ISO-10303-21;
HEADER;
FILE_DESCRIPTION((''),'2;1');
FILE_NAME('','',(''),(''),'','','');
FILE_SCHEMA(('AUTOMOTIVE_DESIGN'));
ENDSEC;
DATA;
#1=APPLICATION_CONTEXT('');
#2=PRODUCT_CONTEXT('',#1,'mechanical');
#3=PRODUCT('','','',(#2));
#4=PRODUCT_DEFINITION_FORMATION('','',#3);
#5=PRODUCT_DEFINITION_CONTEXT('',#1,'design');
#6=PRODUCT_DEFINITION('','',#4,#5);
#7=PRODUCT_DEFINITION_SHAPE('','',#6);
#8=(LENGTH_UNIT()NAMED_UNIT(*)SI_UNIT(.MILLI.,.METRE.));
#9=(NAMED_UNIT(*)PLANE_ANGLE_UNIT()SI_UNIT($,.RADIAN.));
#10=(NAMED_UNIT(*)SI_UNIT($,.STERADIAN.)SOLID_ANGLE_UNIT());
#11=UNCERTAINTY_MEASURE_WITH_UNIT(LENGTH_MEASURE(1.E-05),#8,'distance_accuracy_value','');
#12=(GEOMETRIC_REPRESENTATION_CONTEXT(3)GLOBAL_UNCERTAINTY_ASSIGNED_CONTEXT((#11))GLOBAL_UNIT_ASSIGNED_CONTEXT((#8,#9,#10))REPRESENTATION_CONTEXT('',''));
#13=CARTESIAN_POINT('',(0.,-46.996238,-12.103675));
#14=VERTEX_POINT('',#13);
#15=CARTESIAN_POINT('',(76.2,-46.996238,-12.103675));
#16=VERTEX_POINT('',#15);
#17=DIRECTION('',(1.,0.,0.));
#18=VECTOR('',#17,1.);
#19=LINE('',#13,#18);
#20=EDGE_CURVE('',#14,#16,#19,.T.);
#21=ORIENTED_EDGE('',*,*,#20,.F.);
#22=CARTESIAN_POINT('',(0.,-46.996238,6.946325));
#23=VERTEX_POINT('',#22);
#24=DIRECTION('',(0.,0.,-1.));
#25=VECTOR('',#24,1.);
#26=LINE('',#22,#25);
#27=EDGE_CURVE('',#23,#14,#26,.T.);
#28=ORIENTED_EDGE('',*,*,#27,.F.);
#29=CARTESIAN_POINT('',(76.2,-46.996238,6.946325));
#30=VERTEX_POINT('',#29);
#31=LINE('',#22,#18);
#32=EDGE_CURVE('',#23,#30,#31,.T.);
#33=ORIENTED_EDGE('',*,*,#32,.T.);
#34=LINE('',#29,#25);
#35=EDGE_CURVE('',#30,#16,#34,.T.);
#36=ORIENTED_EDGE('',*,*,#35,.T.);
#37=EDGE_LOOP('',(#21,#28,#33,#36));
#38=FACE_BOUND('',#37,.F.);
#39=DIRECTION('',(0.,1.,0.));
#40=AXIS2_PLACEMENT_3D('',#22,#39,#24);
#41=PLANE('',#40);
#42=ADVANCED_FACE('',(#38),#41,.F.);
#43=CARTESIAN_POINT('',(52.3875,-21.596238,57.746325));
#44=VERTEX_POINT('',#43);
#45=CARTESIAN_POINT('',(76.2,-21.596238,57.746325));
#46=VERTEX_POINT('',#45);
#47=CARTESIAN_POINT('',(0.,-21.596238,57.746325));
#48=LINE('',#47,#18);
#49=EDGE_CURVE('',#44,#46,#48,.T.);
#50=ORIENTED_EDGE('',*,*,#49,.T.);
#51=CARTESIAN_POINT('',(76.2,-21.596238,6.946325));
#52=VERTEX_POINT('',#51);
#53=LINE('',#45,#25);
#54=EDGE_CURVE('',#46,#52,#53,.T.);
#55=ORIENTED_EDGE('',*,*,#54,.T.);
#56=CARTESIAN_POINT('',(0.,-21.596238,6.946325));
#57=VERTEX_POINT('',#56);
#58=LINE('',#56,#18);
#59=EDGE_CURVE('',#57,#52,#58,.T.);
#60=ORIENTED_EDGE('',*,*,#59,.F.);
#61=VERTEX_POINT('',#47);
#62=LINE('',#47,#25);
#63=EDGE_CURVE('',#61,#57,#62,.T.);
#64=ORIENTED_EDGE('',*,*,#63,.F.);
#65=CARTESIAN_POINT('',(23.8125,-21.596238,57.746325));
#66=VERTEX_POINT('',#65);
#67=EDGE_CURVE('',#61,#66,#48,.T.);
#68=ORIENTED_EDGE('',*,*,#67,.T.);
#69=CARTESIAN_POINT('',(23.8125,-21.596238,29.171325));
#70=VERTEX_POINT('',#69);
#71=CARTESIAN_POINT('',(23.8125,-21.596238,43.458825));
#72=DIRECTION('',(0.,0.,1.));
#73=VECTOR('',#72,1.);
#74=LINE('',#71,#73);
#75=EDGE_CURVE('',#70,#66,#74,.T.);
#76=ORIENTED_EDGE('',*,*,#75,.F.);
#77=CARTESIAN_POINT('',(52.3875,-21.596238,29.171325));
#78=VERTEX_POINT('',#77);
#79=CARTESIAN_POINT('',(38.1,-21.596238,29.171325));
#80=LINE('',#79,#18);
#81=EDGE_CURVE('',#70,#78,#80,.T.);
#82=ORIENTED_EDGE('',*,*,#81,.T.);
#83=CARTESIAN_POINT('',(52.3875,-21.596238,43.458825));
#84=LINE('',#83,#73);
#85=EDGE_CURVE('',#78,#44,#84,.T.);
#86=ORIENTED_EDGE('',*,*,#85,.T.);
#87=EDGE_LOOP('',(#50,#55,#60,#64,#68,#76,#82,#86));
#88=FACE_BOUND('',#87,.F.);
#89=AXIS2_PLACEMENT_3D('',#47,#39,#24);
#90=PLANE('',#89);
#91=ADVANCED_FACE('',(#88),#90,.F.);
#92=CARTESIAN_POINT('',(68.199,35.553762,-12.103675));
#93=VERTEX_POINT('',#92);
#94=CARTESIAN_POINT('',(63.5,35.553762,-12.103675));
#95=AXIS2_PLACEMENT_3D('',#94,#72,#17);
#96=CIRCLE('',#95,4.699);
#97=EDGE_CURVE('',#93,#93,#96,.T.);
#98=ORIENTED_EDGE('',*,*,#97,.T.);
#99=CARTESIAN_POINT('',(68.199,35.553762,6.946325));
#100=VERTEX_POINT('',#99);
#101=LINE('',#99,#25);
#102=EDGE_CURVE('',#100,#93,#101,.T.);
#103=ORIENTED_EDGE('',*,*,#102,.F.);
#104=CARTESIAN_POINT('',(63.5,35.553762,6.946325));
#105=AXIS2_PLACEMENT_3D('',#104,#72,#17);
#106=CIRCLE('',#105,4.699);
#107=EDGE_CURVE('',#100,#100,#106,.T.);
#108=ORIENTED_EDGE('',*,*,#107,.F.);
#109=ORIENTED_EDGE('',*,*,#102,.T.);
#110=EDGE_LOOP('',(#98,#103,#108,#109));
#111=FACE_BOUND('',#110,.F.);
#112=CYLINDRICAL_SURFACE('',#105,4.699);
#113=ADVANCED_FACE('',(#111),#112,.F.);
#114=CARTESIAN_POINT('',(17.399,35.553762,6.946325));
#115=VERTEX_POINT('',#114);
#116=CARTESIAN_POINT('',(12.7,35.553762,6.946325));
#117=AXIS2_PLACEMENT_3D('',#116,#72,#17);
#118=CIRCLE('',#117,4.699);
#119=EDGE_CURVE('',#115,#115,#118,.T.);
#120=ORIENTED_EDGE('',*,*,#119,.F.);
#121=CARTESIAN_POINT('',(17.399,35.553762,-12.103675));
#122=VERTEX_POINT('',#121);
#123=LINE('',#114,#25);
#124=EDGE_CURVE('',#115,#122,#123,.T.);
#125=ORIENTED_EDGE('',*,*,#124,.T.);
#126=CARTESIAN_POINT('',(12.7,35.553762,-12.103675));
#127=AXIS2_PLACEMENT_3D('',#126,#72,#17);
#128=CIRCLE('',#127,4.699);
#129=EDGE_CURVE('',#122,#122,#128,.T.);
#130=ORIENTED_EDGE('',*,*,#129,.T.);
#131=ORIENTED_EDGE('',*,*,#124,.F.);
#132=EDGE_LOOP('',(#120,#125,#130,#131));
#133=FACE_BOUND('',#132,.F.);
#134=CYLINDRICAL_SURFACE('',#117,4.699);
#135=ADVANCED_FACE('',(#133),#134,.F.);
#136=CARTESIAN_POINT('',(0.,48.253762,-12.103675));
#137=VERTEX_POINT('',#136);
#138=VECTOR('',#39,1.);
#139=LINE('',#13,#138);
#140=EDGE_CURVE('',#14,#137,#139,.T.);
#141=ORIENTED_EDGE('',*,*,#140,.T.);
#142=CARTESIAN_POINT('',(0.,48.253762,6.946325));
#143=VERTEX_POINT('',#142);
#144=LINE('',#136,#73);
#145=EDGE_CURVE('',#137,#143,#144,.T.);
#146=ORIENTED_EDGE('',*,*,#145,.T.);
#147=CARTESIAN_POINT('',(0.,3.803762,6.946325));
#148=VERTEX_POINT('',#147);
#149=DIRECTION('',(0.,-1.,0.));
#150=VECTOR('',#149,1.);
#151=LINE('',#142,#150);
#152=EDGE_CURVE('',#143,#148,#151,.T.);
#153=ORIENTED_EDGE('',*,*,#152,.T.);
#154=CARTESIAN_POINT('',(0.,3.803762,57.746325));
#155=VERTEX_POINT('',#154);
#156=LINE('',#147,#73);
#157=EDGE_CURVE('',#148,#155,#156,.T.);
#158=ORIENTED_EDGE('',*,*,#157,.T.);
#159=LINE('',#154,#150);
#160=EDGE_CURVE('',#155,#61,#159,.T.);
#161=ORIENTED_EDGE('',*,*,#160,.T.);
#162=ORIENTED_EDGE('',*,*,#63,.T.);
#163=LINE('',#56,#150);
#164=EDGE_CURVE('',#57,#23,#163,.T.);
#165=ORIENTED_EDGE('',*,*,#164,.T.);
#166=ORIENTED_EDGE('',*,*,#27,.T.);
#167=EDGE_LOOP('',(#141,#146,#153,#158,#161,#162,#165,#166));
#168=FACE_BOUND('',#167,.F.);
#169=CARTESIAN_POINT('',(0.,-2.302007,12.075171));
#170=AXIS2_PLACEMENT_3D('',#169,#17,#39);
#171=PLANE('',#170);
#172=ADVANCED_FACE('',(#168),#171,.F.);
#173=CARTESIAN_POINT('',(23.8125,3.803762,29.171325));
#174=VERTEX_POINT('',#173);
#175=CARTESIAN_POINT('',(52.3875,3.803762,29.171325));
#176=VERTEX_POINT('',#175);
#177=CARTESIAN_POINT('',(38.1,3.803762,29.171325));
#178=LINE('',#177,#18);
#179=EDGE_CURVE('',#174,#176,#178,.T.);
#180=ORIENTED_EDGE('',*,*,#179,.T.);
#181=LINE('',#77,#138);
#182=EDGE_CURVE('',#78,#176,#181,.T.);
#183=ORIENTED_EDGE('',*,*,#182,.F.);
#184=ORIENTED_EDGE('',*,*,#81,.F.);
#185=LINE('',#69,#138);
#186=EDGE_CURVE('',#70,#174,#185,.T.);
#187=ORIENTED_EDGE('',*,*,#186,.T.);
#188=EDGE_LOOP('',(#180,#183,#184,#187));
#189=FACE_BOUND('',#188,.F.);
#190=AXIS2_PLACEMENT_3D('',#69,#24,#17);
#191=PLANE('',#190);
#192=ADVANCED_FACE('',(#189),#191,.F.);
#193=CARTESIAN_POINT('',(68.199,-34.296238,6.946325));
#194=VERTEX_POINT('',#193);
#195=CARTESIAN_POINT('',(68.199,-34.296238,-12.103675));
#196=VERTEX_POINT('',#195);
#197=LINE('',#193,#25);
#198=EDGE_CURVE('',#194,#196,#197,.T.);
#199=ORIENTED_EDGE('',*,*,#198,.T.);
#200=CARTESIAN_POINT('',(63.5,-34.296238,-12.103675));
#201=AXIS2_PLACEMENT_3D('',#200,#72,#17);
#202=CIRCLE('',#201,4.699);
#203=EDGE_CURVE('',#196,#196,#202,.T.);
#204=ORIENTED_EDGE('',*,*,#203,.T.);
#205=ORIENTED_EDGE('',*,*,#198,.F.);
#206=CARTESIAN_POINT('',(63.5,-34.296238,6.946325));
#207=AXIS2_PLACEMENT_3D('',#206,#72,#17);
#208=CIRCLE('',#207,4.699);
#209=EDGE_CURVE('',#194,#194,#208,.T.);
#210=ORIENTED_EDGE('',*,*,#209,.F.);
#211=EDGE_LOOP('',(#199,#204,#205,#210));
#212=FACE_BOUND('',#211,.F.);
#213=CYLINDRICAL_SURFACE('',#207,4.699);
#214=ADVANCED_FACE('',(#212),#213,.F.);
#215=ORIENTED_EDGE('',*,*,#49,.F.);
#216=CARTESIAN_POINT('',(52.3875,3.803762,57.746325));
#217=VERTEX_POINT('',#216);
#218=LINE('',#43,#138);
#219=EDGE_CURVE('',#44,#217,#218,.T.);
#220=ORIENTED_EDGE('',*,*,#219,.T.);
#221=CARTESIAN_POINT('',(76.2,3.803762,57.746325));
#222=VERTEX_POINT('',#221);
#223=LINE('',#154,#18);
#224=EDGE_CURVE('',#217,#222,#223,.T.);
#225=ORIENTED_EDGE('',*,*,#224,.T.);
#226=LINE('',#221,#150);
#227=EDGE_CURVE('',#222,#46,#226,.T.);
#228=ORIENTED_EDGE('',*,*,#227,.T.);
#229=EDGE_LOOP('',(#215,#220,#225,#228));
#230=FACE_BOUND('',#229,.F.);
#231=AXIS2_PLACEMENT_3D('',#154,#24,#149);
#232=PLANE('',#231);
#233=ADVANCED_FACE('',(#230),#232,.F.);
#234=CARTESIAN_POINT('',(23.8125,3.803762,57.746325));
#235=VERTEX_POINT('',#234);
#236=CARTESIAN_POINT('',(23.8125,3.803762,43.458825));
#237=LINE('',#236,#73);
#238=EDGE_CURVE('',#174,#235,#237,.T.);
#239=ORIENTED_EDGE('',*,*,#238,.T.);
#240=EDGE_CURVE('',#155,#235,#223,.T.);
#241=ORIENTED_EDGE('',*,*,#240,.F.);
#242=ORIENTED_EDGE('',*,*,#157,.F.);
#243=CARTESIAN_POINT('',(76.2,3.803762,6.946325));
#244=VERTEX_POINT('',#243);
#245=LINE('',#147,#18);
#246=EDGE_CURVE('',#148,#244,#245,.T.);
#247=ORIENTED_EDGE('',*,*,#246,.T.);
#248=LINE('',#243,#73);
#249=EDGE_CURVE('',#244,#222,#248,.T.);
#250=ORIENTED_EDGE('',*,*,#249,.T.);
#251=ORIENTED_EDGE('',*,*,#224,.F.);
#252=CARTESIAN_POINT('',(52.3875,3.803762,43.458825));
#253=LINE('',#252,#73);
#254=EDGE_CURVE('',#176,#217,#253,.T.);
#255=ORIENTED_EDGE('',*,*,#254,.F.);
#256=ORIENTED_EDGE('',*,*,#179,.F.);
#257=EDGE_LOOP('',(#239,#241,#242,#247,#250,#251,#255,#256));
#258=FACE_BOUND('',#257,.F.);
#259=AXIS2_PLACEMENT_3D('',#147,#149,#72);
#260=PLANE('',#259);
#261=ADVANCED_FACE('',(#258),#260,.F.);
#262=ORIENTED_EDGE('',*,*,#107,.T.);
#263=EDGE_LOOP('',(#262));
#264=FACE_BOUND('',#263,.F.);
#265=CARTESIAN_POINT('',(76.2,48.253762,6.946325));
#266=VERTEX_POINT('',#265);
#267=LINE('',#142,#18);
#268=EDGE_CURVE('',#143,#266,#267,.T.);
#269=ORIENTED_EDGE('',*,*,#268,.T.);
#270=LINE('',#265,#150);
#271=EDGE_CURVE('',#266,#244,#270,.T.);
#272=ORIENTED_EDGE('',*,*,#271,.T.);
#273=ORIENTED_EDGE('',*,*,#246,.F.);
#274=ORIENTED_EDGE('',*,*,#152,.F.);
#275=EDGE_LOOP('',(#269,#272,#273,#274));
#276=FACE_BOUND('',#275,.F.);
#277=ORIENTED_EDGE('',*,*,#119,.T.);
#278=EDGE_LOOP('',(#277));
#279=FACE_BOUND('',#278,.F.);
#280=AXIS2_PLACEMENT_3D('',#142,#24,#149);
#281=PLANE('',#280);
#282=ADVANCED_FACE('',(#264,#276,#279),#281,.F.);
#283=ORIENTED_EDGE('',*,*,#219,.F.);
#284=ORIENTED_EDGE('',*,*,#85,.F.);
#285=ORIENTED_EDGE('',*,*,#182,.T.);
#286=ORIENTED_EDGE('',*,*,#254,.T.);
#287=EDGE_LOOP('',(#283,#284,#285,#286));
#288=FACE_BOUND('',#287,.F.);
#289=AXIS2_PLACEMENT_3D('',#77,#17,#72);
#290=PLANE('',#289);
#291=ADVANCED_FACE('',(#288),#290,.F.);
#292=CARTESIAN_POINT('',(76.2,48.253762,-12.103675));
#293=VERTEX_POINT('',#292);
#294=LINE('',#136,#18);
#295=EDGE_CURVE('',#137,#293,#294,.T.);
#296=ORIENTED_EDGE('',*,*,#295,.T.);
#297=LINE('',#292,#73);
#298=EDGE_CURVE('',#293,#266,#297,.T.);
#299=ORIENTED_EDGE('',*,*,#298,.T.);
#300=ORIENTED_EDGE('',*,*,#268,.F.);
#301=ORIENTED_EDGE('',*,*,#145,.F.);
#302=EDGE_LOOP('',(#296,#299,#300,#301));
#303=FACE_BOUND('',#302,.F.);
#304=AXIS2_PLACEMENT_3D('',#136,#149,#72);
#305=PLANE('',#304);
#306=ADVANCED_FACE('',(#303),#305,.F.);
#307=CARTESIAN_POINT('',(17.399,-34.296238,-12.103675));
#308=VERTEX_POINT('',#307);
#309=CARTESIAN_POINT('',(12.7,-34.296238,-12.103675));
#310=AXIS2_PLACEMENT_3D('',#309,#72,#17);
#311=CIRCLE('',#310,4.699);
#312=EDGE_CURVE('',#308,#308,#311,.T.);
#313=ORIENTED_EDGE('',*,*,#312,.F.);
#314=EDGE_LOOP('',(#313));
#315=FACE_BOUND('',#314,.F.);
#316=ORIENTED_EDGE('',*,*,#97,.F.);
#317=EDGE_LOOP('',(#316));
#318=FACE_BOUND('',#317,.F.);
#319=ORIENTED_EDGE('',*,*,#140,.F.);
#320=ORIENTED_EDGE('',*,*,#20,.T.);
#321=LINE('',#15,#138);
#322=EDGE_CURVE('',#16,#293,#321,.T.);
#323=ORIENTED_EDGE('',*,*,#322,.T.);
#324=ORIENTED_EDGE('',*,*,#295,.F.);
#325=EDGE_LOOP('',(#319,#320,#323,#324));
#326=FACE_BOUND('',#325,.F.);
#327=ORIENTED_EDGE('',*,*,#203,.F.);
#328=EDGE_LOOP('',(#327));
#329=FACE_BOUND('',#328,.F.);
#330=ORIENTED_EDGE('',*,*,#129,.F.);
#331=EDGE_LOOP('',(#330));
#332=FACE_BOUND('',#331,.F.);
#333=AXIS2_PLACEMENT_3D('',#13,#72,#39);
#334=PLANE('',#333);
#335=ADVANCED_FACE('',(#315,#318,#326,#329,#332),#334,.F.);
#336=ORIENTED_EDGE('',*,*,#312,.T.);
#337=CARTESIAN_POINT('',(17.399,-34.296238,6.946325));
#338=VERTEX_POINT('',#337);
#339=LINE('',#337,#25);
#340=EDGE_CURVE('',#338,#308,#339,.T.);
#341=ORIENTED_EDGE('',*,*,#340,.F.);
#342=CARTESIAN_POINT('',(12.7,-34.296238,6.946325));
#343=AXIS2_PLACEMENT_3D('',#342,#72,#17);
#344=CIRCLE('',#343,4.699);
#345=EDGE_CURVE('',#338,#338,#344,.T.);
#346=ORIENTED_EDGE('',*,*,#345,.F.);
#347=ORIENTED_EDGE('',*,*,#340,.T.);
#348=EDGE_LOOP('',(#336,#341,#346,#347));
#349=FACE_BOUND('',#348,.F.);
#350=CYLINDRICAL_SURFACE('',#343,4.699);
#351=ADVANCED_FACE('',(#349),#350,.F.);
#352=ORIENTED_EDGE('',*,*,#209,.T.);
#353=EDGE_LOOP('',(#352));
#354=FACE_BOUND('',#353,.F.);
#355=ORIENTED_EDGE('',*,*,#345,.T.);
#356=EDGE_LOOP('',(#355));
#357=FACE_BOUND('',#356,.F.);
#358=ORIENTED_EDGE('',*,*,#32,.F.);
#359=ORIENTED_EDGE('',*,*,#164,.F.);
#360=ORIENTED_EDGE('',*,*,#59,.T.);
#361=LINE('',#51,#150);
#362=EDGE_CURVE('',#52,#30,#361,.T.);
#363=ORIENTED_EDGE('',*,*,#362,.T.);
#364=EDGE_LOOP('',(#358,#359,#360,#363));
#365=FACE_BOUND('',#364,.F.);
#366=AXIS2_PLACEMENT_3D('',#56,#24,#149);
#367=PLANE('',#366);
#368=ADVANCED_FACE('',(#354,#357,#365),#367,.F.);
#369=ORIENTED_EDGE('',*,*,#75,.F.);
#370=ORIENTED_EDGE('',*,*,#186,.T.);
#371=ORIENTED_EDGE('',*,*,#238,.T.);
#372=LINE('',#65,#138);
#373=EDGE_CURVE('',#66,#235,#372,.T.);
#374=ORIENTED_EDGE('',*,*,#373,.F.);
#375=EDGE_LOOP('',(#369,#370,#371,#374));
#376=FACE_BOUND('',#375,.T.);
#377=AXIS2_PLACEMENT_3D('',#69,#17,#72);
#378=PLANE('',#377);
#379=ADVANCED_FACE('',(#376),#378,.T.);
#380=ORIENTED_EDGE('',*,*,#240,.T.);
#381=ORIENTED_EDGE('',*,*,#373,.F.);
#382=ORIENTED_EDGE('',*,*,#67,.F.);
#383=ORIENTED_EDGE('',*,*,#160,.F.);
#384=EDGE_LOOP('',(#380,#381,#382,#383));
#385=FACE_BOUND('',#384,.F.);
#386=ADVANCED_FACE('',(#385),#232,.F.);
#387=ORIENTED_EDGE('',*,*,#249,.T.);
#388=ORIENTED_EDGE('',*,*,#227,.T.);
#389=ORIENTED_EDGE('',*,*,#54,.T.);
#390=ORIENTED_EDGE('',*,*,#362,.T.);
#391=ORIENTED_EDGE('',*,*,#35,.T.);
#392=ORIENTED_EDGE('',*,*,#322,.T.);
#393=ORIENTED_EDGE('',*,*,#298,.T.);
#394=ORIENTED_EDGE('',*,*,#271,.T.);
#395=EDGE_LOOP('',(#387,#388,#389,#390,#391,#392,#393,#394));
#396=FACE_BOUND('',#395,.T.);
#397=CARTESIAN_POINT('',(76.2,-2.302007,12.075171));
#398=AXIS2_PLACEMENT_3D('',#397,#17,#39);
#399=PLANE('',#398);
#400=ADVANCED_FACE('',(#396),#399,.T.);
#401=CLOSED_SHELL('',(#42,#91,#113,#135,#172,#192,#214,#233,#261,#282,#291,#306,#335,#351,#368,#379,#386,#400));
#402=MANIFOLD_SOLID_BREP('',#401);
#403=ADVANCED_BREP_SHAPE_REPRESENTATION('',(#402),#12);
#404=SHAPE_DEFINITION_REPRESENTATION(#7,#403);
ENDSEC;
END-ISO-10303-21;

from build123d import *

# Parameters (mm, degrees)
F1_DEPTH = 76.2
F2_W     = 28.575
F2_H     = 28.575
F3_DEPTH = 25.4
F4_R     = 4.699
F5_DEPTH = 25.4
F6_R     = 4.699
F7_DEPTH = 25.4


with BuildPart() as f1:
    # F0 (on Right) → F1 (new body)
    with BuildSketch(Plane.YZ):
        Polygon((-46.996238, -12.103675), (48.253762, -12.103675), (48.253762, 6.946325), (3.803762, 6.946325), (3.803762, 57.746325), (-21.596238, 57.746325), (-21.596238, 6.946325), (-46.996238, 6.946325), align=None)
    extrude(amount=F1_DEPTH)

    # F2 (on face) → F3 (cut)
    with BuildSketch(Plane.XZ.offset(21.596238)):
        with Locations((38.1, 43.458825)):
            Rectangle(F2_W, F2_H)
    extrude(amount=-F3_DEPTH, mode=Mode.SUBTRACT)

    # F4 (on face) → F5 (cut)
    with BuildSketch(Plane.XY.offset(6.946325)):
        with Locations((63.5, 35.553762)):
            Circle(F4_R)
        with Locations((12.7, 35.553762)):
            Circle(F4_R)
    extrude(amount=-F5_DEPTH, mode=Mode.SUBTRACT)

    # F6 (on face) → F7 (cut)
    with BuildSketch(Plane.XY.offset(6.946325)):
        with Locations((63.5, -34.296238)):
            Circle(F6_R)
        with Locations((12.7, -34.296238)):
            Circle(F6_R)
    extrude(amount=-F7_DEPTH, mode=Mode.SUBTRACT)


solid = f1.part
